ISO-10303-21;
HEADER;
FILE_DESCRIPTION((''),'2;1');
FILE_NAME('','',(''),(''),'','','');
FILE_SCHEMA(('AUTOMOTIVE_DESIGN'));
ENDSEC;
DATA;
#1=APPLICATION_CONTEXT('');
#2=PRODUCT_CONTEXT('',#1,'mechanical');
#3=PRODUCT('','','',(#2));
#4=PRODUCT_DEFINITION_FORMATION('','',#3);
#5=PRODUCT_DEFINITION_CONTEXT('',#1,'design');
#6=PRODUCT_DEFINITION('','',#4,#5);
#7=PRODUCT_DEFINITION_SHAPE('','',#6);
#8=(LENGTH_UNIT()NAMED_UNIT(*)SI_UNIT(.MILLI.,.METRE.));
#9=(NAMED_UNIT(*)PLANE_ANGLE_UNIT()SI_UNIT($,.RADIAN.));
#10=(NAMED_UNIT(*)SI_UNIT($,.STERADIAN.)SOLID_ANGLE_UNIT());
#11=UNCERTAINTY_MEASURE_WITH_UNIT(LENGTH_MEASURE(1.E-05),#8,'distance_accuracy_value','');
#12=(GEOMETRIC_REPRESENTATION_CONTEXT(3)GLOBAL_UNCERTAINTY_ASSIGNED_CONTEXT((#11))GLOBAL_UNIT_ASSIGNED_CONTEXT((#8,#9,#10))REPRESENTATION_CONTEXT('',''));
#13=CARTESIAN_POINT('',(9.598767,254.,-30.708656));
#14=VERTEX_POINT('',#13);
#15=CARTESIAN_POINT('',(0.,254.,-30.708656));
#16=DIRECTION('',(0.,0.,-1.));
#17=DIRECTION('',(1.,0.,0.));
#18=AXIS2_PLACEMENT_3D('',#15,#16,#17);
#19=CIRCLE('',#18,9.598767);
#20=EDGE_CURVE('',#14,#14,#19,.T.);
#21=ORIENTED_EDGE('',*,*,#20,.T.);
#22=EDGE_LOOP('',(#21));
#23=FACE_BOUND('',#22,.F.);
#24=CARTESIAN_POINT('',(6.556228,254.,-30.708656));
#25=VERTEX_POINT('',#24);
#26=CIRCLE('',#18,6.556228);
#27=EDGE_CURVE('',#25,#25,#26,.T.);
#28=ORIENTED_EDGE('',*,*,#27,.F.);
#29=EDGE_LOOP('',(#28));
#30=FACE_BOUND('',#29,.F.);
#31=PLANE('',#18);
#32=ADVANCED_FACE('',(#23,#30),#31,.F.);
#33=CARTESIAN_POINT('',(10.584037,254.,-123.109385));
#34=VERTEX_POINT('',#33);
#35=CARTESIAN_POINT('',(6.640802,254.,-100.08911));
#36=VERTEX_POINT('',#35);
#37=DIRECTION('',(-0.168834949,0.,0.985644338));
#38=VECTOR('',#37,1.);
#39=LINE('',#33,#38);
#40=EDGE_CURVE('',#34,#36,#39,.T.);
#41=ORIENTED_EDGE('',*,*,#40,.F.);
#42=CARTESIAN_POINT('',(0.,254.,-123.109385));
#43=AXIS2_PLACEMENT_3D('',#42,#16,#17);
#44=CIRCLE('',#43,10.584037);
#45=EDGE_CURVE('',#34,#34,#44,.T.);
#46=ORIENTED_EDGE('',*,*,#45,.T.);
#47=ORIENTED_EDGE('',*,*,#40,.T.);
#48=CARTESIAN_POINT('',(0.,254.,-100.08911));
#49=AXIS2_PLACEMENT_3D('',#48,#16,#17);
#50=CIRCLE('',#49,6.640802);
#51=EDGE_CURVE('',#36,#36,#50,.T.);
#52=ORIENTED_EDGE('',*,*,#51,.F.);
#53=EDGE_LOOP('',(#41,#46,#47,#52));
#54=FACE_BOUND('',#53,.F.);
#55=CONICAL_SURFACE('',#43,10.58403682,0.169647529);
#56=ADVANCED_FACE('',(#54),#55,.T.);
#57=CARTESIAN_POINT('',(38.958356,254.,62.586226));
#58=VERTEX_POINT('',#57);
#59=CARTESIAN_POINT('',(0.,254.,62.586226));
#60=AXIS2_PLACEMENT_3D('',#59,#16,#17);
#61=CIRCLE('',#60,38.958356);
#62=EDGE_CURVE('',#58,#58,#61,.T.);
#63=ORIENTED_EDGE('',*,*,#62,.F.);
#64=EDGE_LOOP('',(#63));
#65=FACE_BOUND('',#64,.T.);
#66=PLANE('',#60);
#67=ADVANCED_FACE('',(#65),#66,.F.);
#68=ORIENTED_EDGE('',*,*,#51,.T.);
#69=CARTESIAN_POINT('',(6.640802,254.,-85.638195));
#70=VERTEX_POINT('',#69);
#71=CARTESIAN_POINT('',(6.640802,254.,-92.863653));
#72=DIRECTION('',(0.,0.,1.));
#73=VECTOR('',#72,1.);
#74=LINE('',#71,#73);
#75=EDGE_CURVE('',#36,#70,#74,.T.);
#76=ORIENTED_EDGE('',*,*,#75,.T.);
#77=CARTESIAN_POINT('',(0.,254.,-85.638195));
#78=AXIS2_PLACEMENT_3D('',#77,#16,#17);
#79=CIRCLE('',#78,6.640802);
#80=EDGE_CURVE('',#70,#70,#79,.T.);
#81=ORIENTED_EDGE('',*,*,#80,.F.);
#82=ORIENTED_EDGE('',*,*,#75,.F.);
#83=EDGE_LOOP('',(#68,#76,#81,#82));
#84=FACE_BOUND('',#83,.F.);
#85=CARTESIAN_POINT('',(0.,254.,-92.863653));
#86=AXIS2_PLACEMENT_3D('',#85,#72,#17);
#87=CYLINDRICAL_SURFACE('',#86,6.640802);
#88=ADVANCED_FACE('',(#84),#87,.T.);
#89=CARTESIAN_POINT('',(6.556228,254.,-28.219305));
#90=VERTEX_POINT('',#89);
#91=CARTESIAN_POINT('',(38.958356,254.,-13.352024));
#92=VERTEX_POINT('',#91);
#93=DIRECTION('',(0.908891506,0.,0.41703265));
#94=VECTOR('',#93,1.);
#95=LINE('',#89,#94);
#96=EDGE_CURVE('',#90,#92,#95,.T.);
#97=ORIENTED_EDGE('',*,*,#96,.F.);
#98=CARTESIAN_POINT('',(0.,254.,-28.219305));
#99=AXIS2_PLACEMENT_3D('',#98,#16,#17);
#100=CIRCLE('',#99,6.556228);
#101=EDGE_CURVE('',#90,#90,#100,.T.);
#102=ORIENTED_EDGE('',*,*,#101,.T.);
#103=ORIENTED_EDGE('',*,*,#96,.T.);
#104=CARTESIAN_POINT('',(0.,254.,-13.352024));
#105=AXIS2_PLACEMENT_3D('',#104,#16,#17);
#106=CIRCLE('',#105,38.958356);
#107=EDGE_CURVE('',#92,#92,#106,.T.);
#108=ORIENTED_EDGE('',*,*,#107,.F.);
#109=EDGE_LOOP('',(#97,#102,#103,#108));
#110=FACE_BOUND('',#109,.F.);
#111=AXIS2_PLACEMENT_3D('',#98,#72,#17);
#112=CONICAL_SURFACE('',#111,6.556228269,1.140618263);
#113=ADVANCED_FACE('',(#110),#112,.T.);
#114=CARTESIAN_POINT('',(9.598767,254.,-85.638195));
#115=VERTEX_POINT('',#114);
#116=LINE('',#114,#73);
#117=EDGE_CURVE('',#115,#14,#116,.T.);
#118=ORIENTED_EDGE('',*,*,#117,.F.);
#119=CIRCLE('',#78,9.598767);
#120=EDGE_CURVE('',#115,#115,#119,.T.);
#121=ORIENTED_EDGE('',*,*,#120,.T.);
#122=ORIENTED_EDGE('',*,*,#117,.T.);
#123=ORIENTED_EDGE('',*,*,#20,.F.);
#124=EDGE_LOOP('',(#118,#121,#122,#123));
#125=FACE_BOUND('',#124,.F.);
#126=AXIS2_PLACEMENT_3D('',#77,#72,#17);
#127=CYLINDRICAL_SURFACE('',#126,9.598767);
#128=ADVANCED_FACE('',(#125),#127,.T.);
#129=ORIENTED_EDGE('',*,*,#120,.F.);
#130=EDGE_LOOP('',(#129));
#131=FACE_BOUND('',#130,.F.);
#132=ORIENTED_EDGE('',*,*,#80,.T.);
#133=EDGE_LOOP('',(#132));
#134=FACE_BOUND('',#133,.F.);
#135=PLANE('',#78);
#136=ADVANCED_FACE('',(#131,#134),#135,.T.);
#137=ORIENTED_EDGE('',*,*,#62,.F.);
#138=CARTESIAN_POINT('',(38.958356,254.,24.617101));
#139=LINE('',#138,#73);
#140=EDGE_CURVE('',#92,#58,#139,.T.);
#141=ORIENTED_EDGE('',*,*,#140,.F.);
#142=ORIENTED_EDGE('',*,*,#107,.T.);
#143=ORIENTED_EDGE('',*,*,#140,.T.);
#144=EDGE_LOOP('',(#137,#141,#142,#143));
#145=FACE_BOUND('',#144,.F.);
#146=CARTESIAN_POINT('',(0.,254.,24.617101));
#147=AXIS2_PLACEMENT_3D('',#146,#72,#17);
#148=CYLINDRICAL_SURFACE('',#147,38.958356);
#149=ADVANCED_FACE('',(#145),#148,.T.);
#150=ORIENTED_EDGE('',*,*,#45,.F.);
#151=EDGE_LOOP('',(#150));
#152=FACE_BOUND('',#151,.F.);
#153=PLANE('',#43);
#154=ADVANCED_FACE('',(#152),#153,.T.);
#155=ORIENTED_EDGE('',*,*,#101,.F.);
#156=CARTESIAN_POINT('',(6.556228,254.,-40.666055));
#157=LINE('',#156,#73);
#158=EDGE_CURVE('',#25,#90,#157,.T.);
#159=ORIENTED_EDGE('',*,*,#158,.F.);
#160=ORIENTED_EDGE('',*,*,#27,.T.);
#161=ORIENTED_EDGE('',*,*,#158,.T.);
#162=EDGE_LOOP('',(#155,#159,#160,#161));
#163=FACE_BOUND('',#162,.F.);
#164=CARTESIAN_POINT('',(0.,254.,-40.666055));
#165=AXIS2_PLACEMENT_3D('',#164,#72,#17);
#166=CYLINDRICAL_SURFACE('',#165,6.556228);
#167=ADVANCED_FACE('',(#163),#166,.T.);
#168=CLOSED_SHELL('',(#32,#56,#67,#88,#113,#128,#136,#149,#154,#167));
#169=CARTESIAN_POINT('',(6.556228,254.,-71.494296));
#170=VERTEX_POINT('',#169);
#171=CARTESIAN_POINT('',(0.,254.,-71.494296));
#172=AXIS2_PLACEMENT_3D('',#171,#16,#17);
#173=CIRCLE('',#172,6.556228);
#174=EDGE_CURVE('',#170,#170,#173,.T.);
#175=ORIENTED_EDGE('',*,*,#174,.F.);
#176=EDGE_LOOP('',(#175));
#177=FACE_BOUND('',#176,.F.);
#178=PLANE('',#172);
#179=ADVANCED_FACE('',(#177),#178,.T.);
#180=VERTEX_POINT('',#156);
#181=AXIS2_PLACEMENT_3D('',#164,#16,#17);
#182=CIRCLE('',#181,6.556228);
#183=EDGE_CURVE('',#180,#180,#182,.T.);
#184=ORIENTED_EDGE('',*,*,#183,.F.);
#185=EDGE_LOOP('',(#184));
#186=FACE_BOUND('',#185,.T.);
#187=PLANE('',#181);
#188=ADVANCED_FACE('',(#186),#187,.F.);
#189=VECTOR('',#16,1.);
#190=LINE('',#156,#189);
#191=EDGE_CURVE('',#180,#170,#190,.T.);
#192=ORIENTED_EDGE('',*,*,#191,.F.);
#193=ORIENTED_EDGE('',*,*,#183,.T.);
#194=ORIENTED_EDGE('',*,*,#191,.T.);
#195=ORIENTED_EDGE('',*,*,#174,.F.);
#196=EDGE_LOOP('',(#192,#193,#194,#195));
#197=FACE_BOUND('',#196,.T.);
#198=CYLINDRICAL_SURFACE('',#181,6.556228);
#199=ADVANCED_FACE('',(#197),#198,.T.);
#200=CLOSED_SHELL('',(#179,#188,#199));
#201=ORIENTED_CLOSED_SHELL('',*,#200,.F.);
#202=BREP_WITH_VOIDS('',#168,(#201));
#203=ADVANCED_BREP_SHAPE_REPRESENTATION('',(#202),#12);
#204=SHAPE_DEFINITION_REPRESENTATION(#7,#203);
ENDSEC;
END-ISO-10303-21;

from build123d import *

# Parameters (mm, degrees)
F0_W   = 38.9583557844
F0_H   = 75.9382499057
F0_W_2 = 6.5562282689
F0_H_2 = 11.2140998244
F0_W_3 = 6.6408021376
F0_H_3 = 14.4509151578


with BuildPart() as f1:
    # F0 (on Front) → F1 (revolve)
    with BuildSketch(Plane.XZ):
        with Locations((19.4791778922, 24.6171006164)):
            Rectangle(F0_W, F0_H)
        Polygon((38.9583557844, -13.3520243364), (0, -13.3520243364), (0, -28.2193049788), (6.5562282689, -28.2193049788), align=None)
        Polygon((6.5562282689, -28.2193049788), (0, -28.2193049788), (0, -40.6660549343), (6.5562282689, -40.6660549343), (6.5562282689, -30.708655715), align=None)
        Polygon((9.5987673849, -30.708655715), (6.5562282689, -30.708655715), (6.5562282689, -40.6660549343), (6.5562282689, -71.4942961931), (6.5562282689, -82.7083960176), (9.5987673849, -82.7083960176), align=None)
        with Locations((3.2781141344, -77.1013461053)):
            Rectangle(F0_W_2, F0_H_2)
        Polygon((6.5562282689, -82.7083960176), (0, -82.7083960176), (0, -85.6381952763), (6.6408021376, -85.6381952763), (9.5987673849, -85.6381952763), (9.5987673849, -82.7083960176), align=None)
        with Locations((3.3204010688, -92.8636528552)):
            Rectangle(F0_W_3, F0_H_3)
        Polygon((6.6408021376, -100.0891104341), (0, -100.0891104341), (0, -123.1093853712), (10.5840368196, -123.1093853712), align=None)
    revolve(axis=Axis((0, 0, -39.0329621732), (0, 0, -1)))


with BuildPart() as f1_1:
    # F2: moved
    add(f1.part.moved(Location((0, 254, 0))))


solid = f1_1.part
